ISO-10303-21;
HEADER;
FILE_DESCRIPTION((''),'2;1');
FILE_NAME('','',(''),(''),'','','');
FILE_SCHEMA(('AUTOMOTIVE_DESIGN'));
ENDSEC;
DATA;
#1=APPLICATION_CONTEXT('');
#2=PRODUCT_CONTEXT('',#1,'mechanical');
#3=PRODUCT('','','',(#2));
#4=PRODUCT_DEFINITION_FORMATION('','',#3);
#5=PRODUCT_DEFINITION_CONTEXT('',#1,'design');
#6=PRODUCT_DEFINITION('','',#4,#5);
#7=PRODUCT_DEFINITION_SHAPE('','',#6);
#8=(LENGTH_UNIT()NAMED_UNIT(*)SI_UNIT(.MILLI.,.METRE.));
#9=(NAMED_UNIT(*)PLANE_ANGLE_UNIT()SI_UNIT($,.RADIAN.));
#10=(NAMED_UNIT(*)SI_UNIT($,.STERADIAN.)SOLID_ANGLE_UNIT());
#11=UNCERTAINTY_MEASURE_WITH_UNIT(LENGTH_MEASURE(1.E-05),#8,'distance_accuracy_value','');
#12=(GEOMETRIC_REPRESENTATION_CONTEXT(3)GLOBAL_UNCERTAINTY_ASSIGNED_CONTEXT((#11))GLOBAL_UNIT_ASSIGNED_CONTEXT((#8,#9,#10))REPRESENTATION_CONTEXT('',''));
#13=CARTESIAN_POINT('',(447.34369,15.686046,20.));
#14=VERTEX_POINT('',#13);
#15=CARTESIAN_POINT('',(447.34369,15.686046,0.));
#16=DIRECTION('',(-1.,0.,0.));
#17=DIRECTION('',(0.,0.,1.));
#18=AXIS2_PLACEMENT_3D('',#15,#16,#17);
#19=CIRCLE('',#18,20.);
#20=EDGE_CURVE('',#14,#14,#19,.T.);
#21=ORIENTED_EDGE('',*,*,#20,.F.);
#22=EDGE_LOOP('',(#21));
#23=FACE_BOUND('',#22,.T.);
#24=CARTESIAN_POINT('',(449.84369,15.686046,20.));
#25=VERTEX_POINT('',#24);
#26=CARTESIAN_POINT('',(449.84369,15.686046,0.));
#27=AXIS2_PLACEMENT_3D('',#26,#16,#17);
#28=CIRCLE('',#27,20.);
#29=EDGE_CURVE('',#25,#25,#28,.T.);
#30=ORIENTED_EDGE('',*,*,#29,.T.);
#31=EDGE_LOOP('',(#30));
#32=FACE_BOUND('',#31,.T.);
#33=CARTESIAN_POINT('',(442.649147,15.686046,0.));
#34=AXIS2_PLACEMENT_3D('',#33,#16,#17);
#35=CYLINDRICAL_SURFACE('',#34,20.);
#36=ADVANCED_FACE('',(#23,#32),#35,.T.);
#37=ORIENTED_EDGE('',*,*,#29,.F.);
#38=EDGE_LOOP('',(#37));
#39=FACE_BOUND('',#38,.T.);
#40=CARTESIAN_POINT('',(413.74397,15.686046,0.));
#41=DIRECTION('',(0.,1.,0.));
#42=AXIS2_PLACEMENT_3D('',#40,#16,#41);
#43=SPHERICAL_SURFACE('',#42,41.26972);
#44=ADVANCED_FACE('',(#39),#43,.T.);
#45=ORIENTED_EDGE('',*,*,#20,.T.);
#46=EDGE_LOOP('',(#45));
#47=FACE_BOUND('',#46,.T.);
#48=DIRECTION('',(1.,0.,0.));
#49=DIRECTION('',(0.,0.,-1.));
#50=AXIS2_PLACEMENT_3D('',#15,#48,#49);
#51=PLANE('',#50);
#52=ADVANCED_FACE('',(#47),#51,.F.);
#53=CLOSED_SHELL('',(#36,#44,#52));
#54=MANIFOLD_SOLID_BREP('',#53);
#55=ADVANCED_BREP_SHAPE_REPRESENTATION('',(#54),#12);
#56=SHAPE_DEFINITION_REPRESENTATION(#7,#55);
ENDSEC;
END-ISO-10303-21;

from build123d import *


with BuildPart() as part:
    # 草图2 → 旋转2 (revolve)
    with BuildSketch(Plane.XY):
        with BuildLine():
            Line((447.343689793, 15.686046317), (447.343689793, 35.686046317))
            Line((447.343689793, 35.686046317), (449.843689793, 35.686046317))
            ThreePointArc((449.843689793, 35.686046317), (453.700290478, 26.014755094), (455.013689793, 15.686046317))
            Line((455.013689793, 15.686046317), (447.343689793, 15.686046317))
        make_face()
    revolve(axis=Axis((442.649146613, 15.686046317, 0), (1, 0, 0)))


solid = part.part
